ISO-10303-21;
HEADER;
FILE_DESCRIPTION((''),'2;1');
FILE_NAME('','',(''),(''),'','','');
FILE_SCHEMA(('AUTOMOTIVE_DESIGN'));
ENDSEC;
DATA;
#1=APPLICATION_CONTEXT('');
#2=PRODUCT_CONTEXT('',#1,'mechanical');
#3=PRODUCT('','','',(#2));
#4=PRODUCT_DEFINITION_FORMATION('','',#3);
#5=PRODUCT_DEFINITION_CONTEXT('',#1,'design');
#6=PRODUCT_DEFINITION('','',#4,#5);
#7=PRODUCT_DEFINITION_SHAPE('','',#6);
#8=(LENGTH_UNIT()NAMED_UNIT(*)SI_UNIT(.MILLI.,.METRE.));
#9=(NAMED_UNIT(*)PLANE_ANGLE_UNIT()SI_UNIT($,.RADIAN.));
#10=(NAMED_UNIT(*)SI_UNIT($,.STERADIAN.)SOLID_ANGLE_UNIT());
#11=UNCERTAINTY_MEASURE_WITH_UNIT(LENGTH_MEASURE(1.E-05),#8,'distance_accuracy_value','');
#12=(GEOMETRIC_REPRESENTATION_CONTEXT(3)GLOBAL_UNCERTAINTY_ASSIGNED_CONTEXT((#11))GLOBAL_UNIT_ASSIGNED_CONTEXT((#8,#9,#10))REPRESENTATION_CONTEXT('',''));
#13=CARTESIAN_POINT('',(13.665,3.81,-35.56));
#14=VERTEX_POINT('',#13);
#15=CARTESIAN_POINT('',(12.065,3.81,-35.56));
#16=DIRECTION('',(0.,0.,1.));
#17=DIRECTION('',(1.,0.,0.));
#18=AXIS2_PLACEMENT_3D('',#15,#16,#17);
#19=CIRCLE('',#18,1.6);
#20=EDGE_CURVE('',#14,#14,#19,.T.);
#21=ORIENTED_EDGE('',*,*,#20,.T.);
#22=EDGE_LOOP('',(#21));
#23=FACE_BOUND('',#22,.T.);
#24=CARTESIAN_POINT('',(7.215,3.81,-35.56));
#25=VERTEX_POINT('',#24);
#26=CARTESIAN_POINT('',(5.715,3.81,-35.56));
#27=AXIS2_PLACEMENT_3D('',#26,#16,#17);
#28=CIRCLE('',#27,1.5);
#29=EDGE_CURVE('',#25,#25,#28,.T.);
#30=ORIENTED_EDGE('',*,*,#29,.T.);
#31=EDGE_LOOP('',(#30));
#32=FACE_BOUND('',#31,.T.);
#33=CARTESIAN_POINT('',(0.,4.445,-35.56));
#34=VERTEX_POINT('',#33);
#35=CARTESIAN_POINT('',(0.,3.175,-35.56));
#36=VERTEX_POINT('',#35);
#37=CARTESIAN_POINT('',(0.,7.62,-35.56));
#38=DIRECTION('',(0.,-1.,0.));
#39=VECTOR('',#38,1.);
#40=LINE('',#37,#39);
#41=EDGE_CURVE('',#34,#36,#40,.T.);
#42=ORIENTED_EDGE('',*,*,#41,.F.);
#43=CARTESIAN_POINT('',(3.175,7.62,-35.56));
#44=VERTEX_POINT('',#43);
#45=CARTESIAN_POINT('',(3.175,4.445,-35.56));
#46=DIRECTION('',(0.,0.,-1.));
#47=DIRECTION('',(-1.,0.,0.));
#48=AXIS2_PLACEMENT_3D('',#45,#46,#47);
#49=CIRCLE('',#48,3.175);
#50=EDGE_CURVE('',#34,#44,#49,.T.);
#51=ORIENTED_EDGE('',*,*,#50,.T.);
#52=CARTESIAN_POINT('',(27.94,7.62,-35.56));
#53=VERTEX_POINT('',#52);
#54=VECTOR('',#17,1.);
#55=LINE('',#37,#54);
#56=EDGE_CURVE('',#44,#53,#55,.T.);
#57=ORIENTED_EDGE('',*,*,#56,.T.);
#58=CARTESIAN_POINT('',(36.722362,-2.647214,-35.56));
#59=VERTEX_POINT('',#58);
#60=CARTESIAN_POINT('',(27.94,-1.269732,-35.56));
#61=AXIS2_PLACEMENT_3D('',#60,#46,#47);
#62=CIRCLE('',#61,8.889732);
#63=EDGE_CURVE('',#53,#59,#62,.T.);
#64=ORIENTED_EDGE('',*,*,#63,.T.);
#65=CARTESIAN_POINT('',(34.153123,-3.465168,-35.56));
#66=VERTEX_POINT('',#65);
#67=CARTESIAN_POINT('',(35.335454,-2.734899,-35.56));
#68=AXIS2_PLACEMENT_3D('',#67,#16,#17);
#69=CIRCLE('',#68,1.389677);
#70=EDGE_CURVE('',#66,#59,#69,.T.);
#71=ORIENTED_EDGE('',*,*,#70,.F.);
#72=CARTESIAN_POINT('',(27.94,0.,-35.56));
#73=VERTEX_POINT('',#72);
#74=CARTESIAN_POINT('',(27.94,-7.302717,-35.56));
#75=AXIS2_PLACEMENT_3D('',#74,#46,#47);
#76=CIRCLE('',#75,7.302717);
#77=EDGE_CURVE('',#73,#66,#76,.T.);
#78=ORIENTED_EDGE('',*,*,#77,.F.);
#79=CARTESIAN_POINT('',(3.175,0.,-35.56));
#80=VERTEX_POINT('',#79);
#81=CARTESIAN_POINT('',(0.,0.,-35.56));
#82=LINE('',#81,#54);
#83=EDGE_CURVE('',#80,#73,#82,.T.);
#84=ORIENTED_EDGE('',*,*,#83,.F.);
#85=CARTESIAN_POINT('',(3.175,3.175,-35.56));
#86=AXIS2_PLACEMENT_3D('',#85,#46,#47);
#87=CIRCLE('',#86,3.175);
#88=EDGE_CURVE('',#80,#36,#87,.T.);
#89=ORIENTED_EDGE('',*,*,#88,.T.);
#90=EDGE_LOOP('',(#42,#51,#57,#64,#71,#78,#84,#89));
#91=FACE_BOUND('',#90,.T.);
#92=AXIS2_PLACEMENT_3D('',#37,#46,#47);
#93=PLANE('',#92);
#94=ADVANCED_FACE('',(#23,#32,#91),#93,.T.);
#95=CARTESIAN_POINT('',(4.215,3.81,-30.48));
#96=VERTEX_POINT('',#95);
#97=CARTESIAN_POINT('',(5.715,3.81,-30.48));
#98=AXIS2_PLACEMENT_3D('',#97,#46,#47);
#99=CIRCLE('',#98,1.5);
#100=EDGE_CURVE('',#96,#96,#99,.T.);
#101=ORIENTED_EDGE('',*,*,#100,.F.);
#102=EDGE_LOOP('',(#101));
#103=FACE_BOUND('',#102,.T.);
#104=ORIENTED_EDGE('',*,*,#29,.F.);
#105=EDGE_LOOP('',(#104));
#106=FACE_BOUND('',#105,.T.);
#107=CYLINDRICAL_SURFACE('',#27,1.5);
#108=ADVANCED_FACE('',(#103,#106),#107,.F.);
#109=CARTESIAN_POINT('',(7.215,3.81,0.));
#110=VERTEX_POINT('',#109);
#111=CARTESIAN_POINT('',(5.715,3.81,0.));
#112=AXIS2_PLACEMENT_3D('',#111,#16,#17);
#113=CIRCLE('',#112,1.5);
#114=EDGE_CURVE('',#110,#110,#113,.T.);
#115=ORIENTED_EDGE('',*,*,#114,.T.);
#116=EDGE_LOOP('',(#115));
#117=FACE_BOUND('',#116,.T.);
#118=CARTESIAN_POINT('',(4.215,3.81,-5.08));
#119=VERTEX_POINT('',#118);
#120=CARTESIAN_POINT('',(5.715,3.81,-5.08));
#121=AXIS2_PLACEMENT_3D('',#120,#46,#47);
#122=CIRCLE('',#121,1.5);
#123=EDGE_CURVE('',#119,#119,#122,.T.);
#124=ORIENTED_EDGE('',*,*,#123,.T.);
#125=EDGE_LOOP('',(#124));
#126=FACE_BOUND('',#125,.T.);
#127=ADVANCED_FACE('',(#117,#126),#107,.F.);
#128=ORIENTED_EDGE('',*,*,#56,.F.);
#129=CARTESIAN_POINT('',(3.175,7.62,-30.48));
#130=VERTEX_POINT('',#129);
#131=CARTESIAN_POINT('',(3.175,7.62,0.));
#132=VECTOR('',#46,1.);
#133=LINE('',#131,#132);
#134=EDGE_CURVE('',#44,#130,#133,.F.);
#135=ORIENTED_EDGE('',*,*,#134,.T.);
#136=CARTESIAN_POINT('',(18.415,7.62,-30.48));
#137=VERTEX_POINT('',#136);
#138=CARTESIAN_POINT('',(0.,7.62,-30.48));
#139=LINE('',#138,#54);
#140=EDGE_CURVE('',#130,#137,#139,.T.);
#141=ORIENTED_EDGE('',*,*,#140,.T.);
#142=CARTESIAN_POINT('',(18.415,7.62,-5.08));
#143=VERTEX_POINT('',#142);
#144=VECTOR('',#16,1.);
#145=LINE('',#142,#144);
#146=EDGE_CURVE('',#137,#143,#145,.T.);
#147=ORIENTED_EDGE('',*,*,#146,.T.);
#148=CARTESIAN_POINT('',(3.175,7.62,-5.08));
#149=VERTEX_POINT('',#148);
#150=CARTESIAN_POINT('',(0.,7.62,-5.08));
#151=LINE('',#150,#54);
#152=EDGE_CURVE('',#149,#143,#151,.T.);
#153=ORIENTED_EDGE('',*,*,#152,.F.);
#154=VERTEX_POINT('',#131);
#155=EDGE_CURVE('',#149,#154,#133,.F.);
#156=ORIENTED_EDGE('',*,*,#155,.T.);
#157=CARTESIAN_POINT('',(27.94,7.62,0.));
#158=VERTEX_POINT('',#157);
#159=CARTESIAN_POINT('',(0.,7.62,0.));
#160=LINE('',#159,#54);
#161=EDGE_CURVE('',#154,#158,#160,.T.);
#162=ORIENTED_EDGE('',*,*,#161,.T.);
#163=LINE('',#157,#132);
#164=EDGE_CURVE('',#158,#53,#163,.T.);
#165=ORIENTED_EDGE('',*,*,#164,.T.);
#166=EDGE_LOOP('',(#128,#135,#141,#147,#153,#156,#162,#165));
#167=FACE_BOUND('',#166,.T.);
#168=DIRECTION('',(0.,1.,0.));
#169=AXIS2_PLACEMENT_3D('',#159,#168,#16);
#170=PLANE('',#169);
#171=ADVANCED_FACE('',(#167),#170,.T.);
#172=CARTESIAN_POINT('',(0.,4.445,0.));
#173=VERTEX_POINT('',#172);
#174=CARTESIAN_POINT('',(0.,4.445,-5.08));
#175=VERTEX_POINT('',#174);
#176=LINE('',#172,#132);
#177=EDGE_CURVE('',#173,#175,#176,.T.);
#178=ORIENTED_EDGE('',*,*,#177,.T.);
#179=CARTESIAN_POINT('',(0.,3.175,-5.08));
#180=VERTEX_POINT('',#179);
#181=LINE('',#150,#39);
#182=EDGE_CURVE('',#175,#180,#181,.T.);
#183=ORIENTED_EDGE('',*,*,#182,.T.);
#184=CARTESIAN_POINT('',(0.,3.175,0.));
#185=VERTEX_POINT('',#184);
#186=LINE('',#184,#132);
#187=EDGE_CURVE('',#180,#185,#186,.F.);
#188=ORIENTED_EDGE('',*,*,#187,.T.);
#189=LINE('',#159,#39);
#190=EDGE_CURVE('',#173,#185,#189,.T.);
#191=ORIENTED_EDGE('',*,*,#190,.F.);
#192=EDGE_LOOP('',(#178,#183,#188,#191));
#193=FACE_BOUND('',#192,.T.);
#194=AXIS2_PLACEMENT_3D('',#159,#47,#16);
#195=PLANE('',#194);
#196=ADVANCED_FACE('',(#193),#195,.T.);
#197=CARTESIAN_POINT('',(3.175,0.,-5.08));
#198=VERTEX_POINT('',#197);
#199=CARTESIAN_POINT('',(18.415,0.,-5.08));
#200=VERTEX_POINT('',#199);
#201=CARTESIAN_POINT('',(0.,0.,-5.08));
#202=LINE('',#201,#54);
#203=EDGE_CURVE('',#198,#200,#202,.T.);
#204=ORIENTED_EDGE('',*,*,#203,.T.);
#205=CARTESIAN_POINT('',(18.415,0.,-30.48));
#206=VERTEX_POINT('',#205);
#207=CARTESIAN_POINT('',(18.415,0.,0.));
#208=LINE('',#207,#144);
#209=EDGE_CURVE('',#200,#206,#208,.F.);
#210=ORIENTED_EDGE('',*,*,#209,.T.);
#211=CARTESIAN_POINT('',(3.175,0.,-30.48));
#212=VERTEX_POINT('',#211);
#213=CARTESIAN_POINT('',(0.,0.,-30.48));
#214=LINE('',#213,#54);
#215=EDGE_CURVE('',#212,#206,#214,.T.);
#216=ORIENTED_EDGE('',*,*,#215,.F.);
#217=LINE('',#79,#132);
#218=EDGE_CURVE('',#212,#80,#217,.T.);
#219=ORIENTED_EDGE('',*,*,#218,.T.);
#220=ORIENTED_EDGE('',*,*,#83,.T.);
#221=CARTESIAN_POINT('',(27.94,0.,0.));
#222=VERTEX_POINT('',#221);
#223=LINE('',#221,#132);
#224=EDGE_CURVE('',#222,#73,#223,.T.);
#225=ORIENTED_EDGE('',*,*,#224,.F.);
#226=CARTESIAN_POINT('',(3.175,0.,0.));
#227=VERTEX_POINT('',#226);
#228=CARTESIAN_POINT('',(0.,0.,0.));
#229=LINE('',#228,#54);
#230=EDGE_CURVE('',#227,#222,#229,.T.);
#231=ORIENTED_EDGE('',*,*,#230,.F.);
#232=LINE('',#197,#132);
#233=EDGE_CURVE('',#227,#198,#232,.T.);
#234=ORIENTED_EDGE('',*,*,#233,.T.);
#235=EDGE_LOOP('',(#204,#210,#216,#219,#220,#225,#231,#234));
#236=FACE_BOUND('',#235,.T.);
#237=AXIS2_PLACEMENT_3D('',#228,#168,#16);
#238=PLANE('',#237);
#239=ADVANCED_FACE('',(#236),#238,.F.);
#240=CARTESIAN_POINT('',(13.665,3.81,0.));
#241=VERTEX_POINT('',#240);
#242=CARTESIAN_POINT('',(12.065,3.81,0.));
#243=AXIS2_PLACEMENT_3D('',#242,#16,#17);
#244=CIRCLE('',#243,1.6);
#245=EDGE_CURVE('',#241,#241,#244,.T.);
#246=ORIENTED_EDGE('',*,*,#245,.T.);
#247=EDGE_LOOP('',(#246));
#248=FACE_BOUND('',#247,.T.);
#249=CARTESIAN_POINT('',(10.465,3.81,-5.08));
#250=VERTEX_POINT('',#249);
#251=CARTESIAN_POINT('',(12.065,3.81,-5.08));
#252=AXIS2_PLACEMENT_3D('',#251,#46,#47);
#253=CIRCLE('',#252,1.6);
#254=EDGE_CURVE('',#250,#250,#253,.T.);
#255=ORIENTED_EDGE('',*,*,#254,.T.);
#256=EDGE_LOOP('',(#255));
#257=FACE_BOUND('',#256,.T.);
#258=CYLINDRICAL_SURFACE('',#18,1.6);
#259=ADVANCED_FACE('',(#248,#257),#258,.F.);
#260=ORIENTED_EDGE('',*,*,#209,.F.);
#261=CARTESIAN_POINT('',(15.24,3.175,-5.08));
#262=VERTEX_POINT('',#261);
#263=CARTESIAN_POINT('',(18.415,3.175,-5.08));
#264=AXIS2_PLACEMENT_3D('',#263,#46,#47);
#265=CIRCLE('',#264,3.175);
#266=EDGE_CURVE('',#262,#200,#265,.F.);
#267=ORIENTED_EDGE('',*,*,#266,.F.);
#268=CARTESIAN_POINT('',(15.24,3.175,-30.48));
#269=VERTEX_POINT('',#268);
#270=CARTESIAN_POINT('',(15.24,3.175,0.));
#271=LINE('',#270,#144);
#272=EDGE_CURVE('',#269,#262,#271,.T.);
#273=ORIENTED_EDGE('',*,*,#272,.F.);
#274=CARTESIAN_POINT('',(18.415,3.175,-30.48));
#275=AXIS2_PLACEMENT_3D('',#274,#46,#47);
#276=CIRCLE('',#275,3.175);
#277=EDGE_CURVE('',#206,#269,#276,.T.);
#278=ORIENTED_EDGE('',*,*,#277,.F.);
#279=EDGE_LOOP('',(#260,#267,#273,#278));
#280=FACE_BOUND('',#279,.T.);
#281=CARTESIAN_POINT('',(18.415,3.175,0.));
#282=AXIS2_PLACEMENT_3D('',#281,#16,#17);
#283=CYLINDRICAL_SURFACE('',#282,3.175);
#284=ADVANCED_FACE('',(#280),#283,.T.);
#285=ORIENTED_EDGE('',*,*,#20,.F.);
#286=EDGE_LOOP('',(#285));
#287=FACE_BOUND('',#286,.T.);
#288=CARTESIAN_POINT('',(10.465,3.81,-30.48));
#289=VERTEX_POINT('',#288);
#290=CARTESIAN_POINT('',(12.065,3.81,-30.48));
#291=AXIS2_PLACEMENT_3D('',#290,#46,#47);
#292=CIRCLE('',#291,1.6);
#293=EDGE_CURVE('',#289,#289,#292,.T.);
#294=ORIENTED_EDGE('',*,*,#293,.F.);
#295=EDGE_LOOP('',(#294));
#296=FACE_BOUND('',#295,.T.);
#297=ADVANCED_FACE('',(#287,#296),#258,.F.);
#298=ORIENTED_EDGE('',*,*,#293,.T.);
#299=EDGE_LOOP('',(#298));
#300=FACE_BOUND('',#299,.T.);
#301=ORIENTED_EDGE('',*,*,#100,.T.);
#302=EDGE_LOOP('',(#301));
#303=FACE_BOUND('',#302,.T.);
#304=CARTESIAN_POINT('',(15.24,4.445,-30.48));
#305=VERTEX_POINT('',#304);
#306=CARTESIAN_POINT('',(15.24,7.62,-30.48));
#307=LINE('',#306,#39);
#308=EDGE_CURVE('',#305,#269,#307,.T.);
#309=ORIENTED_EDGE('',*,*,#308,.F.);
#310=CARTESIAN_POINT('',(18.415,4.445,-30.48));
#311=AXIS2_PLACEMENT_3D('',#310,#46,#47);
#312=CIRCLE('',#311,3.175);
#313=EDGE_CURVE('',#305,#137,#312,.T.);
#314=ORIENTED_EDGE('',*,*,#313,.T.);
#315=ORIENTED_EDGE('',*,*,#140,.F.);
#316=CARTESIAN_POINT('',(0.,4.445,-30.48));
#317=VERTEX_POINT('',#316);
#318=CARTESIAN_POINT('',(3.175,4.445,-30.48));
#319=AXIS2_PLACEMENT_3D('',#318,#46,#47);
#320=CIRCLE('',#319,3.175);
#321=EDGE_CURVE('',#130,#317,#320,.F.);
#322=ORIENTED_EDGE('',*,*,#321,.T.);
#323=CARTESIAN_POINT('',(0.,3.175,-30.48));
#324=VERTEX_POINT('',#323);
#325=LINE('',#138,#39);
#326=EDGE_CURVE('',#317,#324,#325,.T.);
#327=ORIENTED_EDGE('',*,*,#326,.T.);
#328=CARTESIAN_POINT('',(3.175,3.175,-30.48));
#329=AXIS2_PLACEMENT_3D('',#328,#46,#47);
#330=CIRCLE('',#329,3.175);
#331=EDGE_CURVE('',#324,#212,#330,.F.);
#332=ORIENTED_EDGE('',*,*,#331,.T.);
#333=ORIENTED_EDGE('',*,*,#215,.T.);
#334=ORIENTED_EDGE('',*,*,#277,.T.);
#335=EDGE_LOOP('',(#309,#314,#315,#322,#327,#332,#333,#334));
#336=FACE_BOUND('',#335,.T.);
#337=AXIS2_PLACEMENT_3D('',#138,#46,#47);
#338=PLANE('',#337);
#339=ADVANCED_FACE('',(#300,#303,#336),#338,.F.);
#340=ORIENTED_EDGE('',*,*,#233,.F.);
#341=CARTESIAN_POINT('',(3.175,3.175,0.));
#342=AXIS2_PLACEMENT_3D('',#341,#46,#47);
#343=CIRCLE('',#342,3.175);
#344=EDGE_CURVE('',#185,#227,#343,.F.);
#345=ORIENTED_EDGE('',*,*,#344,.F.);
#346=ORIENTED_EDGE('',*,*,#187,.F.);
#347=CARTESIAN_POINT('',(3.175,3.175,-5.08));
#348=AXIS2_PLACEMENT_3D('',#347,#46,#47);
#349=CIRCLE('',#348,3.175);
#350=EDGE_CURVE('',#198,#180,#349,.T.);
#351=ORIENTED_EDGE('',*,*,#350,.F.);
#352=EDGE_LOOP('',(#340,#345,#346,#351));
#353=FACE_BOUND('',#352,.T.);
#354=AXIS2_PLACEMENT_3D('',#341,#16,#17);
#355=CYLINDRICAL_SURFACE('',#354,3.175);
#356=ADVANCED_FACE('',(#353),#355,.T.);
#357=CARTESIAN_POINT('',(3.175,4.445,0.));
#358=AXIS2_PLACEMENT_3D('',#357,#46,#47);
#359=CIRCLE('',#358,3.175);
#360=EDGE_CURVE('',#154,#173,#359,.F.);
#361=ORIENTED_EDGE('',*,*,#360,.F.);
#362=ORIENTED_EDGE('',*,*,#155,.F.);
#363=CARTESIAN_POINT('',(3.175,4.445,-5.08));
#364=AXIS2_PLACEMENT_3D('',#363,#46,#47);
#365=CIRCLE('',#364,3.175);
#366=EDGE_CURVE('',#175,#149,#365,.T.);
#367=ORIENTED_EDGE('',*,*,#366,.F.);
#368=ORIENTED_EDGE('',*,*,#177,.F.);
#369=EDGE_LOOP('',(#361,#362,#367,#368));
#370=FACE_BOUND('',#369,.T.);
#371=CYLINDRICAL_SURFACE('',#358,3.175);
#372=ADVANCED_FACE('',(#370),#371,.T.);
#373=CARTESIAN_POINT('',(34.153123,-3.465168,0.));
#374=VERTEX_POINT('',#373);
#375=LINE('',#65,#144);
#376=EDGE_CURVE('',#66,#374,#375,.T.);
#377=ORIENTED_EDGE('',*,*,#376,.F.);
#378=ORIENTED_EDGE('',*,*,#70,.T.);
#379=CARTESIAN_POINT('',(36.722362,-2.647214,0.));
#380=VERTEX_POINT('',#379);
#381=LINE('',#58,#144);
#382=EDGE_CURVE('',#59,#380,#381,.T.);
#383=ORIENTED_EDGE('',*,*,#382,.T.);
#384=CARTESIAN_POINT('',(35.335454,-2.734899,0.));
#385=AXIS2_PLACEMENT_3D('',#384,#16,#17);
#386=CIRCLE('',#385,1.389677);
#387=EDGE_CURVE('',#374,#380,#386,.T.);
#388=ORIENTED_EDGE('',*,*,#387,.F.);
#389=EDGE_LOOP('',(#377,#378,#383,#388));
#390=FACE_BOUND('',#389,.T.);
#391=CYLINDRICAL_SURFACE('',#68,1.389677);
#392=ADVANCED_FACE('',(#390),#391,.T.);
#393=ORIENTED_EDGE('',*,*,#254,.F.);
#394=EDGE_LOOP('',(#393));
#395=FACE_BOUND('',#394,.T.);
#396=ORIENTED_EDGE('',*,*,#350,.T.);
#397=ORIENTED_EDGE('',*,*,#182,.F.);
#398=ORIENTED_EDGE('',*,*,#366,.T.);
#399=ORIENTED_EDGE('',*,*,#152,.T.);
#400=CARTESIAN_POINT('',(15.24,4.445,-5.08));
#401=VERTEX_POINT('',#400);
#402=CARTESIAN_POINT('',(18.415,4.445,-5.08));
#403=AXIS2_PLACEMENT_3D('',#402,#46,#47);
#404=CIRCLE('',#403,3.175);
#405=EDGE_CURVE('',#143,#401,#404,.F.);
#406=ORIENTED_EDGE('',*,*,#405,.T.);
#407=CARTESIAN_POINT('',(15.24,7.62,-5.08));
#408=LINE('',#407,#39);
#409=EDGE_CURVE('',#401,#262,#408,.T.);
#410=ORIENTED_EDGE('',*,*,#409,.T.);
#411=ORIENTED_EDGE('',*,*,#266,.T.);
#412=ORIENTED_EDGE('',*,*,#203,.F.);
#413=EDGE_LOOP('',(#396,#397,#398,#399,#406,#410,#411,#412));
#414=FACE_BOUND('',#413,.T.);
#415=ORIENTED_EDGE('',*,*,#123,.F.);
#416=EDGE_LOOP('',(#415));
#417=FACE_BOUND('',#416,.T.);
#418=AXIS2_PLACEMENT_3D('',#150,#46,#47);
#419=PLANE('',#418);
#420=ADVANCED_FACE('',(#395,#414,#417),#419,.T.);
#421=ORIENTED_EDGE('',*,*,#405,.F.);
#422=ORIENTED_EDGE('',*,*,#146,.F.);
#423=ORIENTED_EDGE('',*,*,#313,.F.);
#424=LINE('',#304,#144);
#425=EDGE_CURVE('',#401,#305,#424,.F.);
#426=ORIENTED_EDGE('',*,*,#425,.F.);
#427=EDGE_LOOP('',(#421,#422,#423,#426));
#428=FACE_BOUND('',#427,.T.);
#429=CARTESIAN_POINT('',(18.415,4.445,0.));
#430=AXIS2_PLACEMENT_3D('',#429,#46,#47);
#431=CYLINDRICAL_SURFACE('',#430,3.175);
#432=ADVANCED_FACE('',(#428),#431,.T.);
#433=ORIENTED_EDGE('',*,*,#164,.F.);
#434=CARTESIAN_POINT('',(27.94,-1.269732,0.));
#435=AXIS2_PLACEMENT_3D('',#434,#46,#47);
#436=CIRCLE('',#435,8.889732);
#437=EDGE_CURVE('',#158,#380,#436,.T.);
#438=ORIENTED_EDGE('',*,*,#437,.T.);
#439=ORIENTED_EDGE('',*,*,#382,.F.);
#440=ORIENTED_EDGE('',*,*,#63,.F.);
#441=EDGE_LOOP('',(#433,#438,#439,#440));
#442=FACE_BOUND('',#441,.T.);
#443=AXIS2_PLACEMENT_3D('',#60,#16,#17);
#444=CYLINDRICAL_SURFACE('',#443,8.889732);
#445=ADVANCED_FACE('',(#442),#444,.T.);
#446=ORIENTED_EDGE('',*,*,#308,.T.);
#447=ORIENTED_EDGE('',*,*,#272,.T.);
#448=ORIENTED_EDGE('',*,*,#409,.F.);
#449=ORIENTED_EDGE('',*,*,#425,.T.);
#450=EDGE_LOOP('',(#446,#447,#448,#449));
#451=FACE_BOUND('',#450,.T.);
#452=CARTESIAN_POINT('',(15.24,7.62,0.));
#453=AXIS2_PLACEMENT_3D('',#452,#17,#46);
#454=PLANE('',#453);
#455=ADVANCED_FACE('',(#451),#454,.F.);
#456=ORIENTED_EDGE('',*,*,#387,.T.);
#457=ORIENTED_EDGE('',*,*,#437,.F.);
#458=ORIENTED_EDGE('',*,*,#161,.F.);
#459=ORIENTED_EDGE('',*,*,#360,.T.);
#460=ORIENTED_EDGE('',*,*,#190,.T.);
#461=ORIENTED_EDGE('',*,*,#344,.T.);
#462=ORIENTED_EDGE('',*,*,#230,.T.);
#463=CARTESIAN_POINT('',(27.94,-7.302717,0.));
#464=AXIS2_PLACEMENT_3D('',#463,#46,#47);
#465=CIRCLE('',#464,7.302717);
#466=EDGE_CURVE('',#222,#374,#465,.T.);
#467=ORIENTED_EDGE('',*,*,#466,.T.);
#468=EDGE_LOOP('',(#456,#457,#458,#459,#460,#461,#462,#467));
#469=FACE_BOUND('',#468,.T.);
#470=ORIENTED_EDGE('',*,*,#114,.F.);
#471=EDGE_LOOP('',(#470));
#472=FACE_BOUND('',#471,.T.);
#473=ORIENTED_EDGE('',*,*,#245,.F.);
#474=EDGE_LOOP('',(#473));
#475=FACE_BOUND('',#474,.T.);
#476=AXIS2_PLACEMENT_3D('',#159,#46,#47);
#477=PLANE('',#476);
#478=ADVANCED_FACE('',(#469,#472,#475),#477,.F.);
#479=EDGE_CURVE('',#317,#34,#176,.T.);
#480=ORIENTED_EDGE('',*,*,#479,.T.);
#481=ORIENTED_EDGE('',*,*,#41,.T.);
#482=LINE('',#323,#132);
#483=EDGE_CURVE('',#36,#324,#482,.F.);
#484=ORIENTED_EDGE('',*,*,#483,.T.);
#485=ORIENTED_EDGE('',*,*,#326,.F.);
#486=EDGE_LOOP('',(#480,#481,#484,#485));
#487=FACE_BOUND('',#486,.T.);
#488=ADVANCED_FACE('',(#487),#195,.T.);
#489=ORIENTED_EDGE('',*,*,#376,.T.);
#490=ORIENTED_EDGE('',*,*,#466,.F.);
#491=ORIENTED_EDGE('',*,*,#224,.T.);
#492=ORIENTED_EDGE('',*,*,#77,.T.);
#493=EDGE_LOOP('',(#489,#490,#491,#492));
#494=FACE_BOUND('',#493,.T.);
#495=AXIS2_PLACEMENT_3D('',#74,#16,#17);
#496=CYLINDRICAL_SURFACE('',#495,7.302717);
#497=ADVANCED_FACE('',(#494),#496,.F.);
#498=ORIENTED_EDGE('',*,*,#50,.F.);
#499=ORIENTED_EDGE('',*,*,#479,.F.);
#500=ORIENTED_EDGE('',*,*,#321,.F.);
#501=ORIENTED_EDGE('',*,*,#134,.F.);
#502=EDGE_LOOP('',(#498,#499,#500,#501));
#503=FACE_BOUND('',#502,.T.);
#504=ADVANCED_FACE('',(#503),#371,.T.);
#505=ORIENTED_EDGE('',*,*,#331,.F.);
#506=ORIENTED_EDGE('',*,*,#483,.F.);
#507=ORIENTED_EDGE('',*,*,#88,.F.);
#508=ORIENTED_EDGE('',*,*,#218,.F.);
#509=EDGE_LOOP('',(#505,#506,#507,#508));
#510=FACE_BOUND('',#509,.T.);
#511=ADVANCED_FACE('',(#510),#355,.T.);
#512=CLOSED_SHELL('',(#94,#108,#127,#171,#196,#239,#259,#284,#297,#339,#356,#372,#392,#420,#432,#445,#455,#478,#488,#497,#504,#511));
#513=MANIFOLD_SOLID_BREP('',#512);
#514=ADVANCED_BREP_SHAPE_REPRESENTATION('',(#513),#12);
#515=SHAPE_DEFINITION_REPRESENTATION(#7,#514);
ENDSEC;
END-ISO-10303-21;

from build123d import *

# Parameters (mm, degrees)
BOSS_EXTRUDE1_DEPTH = 7.62
FILLET1_R           = 3.175
SKETCH2_R           = 1.5
SKETCH2_R_2         = 1.6
CUT_EXTRUDE1_DEPTH  = 36.56
BOSS_EXTRUDE2_DEPTH = 35.56


with BuildPart() as part:
    # Sketch1 → Boss-Extrude1 (new body)
    with BuildSketch(Plane(origin=(0, 0, 0), x_dir=(1, 0, 0), z_dir=(0, 1, 0))):
        Polygon((0, 5.08), (0, 0), (27.94, 0), (27.94, 35.56), (0, 35.56), (0, 30.48), (15.24, 30.48), (15.24, 5.08), align=None)
    extrude(amount=BOSS_EXTRUDE1_DEPTH)

    # Fillet1
    fillet1_edges = [part.edges().sort_by_distance(p)[0] for p in [
        (15.24, 7.62, -17.78),
        (0, 0, -2.54),
        (15.24, 0, -17.78),
        (0, 7.62, -2.54),
        (0, 7.62, -33.02),
        (0, 0, -33.02),
    ]]
    fillet(fillet1_edges, radius=FILLET1_R)

    # Sketch2 → Cut-Extrude1 (cut, through all)
    with BuildSketch(Plane.XY):
        with Locations((5.715, 3.81)):
            Circle(SKETCH2_R)
        with Locations((12.065, 3.81)):
            Circle(SKETCH2_R_2)
    extrude(amount=-CUT_EXTRUDE1_DEPTH, mode=Mode.SUBTRACT)

    # Sketch3 → Boss-Extrude2 (add)
    with BuildSketch(Plane.XY):
        with BuildLine():
            Line((27.94, 0), (27.94, 7.62))
            ThreePointArc((27.94, 7.62), (34.695471328, 4.50875779), (36.722362141, -2.647214162))
            ThreePointArc((36.722362141, -2.647214162), (35.75702901, -4.059087707), (34.153122917, -3.465168346))
            ThreePointArc((34.153122917, -3.465168346), (31.497045405, -0.924856567), (27.94, 0))
        make_face()
    extrude(amount=-BOSS_EXTRUDE2_DEPTH)


solid = part.part
